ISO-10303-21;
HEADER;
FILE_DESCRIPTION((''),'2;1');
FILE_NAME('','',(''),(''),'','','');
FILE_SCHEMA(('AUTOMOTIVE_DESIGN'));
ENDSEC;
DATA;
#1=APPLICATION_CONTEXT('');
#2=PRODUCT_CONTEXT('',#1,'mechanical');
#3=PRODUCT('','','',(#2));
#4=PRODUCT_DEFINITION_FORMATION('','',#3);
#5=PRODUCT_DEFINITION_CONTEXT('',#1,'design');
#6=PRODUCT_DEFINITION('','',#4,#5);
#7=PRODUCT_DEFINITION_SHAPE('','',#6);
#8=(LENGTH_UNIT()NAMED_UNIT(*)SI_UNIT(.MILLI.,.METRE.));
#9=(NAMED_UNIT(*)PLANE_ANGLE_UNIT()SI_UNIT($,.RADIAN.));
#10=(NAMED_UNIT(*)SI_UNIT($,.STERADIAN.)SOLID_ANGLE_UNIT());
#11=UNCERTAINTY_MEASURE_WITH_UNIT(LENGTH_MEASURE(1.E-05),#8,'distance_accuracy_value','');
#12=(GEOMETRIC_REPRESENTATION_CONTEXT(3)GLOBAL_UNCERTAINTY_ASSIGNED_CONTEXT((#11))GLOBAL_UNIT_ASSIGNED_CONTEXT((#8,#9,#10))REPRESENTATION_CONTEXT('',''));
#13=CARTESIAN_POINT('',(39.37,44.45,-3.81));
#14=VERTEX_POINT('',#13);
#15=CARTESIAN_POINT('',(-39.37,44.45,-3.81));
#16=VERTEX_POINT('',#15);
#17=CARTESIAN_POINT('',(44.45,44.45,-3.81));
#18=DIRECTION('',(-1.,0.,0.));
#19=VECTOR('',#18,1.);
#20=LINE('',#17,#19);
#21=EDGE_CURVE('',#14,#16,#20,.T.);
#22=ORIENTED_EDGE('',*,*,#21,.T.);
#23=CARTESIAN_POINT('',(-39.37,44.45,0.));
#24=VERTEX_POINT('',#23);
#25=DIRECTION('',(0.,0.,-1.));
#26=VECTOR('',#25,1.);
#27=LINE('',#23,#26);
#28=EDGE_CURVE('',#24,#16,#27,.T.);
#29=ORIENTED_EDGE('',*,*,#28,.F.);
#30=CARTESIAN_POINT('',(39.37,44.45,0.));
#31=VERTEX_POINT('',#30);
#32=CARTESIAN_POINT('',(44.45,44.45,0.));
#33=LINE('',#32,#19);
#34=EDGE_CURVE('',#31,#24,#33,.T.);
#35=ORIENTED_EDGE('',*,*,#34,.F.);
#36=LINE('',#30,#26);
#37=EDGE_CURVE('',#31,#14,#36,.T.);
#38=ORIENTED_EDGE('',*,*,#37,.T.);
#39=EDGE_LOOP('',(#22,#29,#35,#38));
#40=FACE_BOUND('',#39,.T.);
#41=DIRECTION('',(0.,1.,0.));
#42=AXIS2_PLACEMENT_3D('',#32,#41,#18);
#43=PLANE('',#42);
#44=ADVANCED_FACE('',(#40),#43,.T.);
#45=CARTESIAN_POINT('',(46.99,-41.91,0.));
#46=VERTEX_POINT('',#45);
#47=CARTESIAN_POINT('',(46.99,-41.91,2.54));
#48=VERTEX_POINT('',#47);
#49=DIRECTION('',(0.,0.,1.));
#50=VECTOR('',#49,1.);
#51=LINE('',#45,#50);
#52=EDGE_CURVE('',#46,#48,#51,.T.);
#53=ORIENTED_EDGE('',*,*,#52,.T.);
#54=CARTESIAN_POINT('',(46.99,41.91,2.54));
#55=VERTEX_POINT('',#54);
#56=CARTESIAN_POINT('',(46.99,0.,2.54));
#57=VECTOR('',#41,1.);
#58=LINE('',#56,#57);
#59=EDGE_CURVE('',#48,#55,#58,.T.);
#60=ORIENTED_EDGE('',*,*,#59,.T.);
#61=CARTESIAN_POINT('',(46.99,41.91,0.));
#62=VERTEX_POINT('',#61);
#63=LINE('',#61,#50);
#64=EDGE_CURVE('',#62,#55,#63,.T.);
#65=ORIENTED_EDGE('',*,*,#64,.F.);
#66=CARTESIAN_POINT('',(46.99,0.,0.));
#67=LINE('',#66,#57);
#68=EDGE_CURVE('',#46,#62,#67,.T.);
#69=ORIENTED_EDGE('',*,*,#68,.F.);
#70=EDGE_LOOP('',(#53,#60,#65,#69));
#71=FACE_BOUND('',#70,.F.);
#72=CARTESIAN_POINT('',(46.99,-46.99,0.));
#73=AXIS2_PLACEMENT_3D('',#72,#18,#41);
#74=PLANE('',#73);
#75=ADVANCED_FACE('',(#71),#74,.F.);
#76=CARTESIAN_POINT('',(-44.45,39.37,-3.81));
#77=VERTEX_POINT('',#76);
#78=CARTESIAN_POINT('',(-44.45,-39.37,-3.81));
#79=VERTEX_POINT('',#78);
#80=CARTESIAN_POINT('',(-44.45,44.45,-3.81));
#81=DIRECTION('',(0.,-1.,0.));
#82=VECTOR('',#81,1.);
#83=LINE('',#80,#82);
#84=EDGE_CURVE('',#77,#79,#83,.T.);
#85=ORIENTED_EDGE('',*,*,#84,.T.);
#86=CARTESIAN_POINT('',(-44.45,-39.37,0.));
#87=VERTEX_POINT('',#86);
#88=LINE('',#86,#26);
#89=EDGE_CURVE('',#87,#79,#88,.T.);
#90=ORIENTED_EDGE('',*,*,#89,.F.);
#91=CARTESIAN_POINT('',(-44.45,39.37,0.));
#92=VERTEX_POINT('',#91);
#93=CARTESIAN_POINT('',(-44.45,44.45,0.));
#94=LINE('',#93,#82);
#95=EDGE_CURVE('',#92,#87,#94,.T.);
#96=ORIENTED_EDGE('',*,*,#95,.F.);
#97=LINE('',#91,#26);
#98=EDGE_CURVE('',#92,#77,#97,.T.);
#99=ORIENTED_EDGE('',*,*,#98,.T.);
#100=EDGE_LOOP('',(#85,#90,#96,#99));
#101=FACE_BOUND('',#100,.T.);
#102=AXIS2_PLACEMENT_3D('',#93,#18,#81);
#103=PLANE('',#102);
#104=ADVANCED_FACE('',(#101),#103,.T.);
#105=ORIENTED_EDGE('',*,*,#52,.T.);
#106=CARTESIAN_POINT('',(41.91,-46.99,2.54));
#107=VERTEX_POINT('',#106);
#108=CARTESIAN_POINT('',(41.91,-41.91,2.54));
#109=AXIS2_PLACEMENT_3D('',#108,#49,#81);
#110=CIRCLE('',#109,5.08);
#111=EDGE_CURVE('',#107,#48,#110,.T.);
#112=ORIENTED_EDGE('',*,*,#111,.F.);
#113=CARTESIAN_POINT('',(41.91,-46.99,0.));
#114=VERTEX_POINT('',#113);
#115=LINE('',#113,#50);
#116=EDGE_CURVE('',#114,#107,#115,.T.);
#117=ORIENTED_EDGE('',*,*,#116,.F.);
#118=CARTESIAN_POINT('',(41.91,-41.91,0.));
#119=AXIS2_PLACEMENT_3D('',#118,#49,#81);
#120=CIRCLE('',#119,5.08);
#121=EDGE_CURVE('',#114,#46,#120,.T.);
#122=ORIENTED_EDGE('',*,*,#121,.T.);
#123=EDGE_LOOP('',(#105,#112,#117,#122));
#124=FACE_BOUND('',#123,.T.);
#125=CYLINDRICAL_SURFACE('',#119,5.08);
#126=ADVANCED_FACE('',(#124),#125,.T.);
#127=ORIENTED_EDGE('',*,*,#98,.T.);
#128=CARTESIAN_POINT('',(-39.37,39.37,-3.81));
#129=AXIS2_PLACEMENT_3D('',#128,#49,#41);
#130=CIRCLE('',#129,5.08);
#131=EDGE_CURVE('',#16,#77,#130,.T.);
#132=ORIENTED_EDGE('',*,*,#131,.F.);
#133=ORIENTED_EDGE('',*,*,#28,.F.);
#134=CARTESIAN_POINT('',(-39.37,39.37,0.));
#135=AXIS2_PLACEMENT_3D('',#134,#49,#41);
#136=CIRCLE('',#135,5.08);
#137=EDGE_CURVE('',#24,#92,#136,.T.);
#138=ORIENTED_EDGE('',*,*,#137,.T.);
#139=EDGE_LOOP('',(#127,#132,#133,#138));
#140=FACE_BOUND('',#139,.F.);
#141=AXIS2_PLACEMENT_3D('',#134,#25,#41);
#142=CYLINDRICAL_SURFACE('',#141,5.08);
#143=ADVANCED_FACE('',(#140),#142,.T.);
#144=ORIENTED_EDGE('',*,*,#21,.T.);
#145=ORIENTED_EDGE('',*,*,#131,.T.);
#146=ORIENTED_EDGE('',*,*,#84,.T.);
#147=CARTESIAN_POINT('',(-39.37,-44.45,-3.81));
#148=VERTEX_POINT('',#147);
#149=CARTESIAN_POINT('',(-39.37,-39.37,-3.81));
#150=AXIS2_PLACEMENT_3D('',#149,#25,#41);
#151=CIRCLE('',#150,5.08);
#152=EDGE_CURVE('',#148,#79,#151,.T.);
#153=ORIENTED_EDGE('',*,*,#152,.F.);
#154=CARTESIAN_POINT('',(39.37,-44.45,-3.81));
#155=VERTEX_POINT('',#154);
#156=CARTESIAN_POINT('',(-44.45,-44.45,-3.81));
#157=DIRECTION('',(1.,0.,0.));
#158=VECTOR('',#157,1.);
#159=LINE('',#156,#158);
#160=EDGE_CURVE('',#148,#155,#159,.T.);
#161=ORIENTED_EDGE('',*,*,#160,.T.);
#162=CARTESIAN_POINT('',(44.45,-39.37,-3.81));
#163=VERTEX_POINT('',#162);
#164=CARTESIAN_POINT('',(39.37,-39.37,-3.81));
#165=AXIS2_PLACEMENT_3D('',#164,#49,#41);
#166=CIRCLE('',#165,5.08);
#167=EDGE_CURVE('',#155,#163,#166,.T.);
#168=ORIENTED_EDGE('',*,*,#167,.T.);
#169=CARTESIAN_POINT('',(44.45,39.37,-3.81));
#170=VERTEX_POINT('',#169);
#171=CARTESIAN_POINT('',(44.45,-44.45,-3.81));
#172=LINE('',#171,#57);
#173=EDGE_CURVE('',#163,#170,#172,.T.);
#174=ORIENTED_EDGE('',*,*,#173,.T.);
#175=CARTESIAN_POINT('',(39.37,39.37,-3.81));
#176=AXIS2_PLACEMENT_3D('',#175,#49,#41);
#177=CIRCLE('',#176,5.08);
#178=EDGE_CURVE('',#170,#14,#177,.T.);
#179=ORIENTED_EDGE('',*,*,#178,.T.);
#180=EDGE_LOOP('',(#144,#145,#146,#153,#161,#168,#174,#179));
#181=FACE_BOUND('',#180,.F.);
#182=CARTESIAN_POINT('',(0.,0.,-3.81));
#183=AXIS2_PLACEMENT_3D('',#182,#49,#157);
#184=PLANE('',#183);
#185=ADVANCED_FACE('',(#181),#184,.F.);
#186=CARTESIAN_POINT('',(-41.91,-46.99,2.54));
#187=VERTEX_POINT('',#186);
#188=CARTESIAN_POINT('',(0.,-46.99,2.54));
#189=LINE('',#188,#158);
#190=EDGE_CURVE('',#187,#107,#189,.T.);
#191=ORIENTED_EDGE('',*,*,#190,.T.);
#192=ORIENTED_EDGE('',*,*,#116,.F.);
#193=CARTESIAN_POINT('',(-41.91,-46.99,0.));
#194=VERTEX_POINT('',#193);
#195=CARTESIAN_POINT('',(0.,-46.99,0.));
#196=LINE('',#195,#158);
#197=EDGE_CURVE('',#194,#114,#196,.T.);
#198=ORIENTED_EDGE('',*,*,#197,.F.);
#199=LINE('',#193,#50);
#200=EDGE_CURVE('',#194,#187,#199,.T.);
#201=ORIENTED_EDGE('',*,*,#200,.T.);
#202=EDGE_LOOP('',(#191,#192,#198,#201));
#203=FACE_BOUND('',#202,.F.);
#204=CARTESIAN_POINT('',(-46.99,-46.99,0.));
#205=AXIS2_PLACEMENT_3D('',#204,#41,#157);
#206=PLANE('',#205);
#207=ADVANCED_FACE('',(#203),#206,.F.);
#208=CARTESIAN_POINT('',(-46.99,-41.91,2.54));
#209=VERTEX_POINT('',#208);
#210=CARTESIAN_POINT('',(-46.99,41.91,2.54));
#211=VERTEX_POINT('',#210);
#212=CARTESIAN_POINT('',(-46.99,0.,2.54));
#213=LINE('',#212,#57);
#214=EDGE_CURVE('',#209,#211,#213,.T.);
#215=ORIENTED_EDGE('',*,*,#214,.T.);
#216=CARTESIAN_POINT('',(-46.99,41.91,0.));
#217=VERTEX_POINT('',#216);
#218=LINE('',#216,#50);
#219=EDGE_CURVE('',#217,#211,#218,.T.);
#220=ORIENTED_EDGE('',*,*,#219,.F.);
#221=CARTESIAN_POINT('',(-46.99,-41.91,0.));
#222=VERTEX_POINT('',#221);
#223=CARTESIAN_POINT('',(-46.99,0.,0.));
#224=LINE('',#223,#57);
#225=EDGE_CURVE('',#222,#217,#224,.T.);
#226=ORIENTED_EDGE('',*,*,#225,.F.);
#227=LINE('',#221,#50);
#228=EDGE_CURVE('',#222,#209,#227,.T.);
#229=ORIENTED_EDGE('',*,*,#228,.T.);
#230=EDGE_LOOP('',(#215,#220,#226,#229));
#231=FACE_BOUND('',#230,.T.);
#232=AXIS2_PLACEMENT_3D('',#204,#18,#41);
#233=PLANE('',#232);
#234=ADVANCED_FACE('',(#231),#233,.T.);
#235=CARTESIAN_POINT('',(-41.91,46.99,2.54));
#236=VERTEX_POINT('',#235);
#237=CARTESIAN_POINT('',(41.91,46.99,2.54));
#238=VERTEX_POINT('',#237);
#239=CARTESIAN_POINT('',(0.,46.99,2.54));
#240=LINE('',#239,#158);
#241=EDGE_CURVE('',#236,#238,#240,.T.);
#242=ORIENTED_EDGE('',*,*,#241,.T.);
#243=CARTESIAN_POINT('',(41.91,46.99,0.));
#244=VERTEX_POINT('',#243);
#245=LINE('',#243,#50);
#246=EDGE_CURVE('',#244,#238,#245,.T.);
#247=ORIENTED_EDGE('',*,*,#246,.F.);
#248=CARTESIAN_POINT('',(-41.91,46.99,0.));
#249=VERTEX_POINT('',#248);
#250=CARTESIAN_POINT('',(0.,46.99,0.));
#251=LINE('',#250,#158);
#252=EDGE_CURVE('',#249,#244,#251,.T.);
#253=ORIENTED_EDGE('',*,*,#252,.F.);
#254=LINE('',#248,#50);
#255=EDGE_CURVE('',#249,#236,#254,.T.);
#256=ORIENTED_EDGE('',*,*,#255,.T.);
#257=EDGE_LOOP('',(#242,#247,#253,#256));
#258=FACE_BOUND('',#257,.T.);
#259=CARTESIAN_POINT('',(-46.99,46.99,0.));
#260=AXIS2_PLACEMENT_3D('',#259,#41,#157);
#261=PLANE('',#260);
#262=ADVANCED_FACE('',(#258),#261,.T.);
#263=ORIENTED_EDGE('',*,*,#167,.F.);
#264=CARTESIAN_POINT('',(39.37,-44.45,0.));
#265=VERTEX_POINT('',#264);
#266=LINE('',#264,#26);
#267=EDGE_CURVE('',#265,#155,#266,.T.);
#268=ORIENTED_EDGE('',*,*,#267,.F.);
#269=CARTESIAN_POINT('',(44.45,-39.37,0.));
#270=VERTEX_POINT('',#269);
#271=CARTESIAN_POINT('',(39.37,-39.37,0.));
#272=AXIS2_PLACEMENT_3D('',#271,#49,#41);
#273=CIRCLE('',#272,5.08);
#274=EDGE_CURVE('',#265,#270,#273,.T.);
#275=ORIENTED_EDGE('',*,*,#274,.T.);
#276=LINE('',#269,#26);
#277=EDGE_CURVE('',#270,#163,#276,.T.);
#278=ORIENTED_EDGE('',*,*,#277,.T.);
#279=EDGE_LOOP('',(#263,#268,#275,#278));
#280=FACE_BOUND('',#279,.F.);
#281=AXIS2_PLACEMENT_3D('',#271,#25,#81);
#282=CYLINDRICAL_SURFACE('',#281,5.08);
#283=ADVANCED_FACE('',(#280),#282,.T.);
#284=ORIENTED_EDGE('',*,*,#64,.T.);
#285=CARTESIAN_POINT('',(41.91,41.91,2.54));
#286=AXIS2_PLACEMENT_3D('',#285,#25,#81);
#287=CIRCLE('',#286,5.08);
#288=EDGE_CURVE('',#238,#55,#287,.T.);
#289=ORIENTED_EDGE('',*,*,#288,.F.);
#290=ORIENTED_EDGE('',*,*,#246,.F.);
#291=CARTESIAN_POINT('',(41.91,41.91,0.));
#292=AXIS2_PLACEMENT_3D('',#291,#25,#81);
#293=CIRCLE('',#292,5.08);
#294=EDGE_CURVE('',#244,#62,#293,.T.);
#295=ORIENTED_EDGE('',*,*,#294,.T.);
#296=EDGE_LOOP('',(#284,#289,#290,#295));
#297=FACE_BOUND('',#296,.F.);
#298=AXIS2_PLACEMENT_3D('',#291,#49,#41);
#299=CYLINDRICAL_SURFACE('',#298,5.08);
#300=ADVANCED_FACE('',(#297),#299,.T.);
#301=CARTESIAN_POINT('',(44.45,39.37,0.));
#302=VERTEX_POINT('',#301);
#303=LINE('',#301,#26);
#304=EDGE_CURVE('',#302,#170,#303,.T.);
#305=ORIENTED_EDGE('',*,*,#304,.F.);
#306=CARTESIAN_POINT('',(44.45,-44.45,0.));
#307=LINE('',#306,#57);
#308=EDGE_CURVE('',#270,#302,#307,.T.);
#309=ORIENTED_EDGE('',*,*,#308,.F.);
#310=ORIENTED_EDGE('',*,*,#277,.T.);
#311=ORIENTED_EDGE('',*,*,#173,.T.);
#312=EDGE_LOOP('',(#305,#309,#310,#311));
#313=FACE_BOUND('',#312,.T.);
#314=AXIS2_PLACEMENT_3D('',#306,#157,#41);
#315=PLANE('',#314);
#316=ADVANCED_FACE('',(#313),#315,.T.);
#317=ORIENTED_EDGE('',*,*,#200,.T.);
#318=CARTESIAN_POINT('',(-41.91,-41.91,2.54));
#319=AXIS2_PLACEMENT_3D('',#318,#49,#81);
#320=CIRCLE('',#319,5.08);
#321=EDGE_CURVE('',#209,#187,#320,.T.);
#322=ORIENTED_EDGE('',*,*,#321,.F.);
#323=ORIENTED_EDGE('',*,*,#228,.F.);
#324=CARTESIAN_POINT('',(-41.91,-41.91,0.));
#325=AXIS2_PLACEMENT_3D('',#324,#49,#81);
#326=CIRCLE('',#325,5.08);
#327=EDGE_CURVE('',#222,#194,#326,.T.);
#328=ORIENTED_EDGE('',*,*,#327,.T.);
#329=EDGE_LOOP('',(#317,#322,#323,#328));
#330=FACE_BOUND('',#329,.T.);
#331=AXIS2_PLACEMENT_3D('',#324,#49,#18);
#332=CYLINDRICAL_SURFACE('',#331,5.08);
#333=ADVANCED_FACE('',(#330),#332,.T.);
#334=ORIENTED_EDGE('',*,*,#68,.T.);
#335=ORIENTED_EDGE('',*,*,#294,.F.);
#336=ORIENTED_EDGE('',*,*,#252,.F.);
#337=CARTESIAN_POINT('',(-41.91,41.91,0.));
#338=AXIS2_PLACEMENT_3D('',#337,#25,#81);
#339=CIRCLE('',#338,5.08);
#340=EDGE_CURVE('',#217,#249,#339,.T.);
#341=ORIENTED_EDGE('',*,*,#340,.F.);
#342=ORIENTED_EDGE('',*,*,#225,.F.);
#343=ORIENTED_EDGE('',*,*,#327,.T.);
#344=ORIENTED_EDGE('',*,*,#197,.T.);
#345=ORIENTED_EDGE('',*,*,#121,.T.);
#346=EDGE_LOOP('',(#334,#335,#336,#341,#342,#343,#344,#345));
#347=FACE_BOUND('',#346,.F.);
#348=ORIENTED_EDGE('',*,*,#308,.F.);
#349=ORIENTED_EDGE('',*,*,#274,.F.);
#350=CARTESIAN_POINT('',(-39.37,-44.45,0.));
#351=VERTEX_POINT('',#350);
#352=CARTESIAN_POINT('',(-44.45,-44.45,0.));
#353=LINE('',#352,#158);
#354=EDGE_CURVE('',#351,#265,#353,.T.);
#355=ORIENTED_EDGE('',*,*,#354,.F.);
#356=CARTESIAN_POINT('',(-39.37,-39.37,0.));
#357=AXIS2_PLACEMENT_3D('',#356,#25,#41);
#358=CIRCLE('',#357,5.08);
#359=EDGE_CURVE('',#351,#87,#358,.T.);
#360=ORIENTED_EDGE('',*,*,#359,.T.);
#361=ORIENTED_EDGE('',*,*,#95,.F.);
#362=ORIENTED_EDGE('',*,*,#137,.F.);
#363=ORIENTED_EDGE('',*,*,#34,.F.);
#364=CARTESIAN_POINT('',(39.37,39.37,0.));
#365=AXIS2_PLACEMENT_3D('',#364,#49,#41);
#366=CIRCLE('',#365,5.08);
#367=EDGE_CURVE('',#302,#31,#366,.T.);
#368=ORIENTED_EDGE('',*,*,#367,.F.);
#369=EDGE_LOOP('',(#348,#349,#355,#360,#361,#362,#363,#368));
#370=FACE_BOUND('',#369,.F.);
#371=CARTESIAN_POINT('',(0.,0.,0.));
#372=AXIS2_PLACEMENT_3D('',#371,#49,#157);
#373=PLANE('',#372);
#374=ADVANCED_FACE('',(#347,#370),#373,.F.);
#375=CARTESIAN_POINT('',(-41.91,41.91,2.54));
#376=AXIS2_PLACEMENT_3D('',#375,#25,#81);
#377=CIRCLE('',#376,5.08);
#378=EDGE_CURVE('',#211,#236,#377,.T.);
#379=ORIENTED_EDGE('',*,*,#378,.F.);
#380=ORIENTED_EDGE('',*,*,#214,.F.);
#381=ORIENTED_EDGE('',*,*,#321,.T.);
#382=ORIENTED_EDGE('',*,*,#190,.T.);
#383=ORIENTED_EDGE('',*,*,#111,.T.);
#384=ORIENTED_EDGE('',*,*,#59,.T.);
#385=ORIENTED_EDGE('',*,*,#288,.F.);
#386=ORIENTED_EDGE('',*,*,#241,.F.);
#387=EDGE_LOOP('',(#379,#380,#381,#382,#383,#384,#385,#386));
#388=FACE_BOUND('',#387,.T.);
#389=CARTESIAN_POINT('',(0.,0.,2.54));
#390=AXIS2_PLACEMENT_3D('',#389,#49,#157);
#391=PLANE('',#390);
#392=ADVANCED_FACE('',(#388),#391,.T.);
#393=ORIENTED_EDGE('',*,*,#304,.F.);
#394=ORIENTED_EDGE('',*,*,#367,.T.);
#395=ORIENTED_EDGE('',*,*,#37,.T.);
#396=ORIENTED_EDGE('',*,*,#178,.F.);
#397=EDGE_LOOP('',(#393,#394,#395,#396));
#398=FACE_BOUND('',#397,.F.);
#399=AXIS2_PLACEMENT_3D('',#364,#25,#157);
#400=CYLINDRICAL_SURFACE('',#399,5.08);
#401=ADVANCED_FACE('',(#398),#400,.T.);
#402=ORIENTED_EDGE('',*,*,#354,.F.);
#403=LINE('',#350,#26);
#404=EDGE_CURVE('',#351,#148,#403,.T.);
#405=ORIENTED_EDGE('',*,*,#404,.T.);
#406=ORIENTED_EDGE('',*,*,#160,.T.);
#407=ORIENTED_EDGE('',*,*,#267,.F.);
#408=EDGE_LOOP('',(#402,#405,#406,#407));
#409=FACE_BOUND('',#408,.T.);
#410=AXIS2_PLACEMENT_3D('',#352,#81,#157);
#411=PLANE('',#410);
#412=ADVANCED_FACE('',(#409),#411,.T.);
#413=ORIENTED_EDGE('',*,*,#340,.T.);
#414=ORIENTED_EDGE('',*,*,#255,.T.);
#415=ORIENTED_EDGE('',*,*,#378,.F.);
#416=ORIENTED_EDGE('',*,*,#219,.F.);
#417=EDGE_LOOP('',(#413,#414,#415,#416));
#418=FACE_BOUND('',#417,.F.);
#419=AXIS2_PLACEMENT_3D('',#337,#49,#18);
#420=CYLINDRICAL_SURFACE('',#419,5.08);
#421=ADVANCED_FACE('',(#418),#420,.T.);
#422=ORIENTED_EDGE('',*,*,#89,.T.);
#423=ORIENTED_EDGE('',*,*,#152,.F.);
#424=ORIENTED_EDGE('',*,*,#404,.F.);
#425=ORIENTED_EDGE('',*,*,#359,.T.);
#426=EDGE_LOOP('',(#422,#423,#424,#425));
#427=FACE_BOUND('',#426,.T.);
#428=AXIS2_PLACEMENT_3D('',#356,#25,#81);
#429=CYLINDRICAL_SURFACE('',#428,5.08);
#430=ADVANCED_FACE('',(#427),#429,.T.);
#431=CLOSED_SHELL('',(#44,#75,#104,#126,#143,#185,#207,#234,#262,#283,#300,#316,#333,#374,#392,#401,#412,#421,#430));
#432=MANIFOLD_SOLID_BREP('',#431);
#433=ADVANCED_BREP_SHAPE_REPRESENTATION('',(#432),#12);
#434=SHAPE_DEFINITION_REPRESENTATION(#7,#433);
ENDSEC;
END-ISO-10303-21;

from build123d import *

# Parameters (mm, degrees)
F0_W     = 93.98
F0_H     = 93.98
F1_DEPTH = 2.54
F3_DEPTH = 3.81
F4_R     = 5.08


with BuildPart() as f1:
    # F0 (on Top) → F1 (new body)
    with BuildSketch(Plane.XY):
        Rectangle(F0_W, F0_H)
    extrude(amount=F1_DEPTH)

    # F2 (on Top) → F3 (join)
    with BuildSketch(Plane.XY):
        Polygon((-44.45, -44.45), (0, -44.45), (44.45, -44.45), (44.45, 44.45), (-44.45, 44.45), align=None)
    extrude(amount=-F3_DEPTH)

    # F4
    f4_edges = [f1.edges().sort_by_distance(p)[0] for p in [
        (44.45, -44.45, -1.905),
        (-44.45, -44.45, -1.905),
        (-44.45, 44.45, -1.905),
        (44.45, 44.45, -1.905),
        (-46.99, -46.99, 1.27),
        (46.99, -46.99, 1.27),
        (46.99, 46.99, 1.27),
        (-46.99, 46.99, 1.27),
    ]]
    fillet(f4_edges, radius=F4_R)


solid = f1.part
